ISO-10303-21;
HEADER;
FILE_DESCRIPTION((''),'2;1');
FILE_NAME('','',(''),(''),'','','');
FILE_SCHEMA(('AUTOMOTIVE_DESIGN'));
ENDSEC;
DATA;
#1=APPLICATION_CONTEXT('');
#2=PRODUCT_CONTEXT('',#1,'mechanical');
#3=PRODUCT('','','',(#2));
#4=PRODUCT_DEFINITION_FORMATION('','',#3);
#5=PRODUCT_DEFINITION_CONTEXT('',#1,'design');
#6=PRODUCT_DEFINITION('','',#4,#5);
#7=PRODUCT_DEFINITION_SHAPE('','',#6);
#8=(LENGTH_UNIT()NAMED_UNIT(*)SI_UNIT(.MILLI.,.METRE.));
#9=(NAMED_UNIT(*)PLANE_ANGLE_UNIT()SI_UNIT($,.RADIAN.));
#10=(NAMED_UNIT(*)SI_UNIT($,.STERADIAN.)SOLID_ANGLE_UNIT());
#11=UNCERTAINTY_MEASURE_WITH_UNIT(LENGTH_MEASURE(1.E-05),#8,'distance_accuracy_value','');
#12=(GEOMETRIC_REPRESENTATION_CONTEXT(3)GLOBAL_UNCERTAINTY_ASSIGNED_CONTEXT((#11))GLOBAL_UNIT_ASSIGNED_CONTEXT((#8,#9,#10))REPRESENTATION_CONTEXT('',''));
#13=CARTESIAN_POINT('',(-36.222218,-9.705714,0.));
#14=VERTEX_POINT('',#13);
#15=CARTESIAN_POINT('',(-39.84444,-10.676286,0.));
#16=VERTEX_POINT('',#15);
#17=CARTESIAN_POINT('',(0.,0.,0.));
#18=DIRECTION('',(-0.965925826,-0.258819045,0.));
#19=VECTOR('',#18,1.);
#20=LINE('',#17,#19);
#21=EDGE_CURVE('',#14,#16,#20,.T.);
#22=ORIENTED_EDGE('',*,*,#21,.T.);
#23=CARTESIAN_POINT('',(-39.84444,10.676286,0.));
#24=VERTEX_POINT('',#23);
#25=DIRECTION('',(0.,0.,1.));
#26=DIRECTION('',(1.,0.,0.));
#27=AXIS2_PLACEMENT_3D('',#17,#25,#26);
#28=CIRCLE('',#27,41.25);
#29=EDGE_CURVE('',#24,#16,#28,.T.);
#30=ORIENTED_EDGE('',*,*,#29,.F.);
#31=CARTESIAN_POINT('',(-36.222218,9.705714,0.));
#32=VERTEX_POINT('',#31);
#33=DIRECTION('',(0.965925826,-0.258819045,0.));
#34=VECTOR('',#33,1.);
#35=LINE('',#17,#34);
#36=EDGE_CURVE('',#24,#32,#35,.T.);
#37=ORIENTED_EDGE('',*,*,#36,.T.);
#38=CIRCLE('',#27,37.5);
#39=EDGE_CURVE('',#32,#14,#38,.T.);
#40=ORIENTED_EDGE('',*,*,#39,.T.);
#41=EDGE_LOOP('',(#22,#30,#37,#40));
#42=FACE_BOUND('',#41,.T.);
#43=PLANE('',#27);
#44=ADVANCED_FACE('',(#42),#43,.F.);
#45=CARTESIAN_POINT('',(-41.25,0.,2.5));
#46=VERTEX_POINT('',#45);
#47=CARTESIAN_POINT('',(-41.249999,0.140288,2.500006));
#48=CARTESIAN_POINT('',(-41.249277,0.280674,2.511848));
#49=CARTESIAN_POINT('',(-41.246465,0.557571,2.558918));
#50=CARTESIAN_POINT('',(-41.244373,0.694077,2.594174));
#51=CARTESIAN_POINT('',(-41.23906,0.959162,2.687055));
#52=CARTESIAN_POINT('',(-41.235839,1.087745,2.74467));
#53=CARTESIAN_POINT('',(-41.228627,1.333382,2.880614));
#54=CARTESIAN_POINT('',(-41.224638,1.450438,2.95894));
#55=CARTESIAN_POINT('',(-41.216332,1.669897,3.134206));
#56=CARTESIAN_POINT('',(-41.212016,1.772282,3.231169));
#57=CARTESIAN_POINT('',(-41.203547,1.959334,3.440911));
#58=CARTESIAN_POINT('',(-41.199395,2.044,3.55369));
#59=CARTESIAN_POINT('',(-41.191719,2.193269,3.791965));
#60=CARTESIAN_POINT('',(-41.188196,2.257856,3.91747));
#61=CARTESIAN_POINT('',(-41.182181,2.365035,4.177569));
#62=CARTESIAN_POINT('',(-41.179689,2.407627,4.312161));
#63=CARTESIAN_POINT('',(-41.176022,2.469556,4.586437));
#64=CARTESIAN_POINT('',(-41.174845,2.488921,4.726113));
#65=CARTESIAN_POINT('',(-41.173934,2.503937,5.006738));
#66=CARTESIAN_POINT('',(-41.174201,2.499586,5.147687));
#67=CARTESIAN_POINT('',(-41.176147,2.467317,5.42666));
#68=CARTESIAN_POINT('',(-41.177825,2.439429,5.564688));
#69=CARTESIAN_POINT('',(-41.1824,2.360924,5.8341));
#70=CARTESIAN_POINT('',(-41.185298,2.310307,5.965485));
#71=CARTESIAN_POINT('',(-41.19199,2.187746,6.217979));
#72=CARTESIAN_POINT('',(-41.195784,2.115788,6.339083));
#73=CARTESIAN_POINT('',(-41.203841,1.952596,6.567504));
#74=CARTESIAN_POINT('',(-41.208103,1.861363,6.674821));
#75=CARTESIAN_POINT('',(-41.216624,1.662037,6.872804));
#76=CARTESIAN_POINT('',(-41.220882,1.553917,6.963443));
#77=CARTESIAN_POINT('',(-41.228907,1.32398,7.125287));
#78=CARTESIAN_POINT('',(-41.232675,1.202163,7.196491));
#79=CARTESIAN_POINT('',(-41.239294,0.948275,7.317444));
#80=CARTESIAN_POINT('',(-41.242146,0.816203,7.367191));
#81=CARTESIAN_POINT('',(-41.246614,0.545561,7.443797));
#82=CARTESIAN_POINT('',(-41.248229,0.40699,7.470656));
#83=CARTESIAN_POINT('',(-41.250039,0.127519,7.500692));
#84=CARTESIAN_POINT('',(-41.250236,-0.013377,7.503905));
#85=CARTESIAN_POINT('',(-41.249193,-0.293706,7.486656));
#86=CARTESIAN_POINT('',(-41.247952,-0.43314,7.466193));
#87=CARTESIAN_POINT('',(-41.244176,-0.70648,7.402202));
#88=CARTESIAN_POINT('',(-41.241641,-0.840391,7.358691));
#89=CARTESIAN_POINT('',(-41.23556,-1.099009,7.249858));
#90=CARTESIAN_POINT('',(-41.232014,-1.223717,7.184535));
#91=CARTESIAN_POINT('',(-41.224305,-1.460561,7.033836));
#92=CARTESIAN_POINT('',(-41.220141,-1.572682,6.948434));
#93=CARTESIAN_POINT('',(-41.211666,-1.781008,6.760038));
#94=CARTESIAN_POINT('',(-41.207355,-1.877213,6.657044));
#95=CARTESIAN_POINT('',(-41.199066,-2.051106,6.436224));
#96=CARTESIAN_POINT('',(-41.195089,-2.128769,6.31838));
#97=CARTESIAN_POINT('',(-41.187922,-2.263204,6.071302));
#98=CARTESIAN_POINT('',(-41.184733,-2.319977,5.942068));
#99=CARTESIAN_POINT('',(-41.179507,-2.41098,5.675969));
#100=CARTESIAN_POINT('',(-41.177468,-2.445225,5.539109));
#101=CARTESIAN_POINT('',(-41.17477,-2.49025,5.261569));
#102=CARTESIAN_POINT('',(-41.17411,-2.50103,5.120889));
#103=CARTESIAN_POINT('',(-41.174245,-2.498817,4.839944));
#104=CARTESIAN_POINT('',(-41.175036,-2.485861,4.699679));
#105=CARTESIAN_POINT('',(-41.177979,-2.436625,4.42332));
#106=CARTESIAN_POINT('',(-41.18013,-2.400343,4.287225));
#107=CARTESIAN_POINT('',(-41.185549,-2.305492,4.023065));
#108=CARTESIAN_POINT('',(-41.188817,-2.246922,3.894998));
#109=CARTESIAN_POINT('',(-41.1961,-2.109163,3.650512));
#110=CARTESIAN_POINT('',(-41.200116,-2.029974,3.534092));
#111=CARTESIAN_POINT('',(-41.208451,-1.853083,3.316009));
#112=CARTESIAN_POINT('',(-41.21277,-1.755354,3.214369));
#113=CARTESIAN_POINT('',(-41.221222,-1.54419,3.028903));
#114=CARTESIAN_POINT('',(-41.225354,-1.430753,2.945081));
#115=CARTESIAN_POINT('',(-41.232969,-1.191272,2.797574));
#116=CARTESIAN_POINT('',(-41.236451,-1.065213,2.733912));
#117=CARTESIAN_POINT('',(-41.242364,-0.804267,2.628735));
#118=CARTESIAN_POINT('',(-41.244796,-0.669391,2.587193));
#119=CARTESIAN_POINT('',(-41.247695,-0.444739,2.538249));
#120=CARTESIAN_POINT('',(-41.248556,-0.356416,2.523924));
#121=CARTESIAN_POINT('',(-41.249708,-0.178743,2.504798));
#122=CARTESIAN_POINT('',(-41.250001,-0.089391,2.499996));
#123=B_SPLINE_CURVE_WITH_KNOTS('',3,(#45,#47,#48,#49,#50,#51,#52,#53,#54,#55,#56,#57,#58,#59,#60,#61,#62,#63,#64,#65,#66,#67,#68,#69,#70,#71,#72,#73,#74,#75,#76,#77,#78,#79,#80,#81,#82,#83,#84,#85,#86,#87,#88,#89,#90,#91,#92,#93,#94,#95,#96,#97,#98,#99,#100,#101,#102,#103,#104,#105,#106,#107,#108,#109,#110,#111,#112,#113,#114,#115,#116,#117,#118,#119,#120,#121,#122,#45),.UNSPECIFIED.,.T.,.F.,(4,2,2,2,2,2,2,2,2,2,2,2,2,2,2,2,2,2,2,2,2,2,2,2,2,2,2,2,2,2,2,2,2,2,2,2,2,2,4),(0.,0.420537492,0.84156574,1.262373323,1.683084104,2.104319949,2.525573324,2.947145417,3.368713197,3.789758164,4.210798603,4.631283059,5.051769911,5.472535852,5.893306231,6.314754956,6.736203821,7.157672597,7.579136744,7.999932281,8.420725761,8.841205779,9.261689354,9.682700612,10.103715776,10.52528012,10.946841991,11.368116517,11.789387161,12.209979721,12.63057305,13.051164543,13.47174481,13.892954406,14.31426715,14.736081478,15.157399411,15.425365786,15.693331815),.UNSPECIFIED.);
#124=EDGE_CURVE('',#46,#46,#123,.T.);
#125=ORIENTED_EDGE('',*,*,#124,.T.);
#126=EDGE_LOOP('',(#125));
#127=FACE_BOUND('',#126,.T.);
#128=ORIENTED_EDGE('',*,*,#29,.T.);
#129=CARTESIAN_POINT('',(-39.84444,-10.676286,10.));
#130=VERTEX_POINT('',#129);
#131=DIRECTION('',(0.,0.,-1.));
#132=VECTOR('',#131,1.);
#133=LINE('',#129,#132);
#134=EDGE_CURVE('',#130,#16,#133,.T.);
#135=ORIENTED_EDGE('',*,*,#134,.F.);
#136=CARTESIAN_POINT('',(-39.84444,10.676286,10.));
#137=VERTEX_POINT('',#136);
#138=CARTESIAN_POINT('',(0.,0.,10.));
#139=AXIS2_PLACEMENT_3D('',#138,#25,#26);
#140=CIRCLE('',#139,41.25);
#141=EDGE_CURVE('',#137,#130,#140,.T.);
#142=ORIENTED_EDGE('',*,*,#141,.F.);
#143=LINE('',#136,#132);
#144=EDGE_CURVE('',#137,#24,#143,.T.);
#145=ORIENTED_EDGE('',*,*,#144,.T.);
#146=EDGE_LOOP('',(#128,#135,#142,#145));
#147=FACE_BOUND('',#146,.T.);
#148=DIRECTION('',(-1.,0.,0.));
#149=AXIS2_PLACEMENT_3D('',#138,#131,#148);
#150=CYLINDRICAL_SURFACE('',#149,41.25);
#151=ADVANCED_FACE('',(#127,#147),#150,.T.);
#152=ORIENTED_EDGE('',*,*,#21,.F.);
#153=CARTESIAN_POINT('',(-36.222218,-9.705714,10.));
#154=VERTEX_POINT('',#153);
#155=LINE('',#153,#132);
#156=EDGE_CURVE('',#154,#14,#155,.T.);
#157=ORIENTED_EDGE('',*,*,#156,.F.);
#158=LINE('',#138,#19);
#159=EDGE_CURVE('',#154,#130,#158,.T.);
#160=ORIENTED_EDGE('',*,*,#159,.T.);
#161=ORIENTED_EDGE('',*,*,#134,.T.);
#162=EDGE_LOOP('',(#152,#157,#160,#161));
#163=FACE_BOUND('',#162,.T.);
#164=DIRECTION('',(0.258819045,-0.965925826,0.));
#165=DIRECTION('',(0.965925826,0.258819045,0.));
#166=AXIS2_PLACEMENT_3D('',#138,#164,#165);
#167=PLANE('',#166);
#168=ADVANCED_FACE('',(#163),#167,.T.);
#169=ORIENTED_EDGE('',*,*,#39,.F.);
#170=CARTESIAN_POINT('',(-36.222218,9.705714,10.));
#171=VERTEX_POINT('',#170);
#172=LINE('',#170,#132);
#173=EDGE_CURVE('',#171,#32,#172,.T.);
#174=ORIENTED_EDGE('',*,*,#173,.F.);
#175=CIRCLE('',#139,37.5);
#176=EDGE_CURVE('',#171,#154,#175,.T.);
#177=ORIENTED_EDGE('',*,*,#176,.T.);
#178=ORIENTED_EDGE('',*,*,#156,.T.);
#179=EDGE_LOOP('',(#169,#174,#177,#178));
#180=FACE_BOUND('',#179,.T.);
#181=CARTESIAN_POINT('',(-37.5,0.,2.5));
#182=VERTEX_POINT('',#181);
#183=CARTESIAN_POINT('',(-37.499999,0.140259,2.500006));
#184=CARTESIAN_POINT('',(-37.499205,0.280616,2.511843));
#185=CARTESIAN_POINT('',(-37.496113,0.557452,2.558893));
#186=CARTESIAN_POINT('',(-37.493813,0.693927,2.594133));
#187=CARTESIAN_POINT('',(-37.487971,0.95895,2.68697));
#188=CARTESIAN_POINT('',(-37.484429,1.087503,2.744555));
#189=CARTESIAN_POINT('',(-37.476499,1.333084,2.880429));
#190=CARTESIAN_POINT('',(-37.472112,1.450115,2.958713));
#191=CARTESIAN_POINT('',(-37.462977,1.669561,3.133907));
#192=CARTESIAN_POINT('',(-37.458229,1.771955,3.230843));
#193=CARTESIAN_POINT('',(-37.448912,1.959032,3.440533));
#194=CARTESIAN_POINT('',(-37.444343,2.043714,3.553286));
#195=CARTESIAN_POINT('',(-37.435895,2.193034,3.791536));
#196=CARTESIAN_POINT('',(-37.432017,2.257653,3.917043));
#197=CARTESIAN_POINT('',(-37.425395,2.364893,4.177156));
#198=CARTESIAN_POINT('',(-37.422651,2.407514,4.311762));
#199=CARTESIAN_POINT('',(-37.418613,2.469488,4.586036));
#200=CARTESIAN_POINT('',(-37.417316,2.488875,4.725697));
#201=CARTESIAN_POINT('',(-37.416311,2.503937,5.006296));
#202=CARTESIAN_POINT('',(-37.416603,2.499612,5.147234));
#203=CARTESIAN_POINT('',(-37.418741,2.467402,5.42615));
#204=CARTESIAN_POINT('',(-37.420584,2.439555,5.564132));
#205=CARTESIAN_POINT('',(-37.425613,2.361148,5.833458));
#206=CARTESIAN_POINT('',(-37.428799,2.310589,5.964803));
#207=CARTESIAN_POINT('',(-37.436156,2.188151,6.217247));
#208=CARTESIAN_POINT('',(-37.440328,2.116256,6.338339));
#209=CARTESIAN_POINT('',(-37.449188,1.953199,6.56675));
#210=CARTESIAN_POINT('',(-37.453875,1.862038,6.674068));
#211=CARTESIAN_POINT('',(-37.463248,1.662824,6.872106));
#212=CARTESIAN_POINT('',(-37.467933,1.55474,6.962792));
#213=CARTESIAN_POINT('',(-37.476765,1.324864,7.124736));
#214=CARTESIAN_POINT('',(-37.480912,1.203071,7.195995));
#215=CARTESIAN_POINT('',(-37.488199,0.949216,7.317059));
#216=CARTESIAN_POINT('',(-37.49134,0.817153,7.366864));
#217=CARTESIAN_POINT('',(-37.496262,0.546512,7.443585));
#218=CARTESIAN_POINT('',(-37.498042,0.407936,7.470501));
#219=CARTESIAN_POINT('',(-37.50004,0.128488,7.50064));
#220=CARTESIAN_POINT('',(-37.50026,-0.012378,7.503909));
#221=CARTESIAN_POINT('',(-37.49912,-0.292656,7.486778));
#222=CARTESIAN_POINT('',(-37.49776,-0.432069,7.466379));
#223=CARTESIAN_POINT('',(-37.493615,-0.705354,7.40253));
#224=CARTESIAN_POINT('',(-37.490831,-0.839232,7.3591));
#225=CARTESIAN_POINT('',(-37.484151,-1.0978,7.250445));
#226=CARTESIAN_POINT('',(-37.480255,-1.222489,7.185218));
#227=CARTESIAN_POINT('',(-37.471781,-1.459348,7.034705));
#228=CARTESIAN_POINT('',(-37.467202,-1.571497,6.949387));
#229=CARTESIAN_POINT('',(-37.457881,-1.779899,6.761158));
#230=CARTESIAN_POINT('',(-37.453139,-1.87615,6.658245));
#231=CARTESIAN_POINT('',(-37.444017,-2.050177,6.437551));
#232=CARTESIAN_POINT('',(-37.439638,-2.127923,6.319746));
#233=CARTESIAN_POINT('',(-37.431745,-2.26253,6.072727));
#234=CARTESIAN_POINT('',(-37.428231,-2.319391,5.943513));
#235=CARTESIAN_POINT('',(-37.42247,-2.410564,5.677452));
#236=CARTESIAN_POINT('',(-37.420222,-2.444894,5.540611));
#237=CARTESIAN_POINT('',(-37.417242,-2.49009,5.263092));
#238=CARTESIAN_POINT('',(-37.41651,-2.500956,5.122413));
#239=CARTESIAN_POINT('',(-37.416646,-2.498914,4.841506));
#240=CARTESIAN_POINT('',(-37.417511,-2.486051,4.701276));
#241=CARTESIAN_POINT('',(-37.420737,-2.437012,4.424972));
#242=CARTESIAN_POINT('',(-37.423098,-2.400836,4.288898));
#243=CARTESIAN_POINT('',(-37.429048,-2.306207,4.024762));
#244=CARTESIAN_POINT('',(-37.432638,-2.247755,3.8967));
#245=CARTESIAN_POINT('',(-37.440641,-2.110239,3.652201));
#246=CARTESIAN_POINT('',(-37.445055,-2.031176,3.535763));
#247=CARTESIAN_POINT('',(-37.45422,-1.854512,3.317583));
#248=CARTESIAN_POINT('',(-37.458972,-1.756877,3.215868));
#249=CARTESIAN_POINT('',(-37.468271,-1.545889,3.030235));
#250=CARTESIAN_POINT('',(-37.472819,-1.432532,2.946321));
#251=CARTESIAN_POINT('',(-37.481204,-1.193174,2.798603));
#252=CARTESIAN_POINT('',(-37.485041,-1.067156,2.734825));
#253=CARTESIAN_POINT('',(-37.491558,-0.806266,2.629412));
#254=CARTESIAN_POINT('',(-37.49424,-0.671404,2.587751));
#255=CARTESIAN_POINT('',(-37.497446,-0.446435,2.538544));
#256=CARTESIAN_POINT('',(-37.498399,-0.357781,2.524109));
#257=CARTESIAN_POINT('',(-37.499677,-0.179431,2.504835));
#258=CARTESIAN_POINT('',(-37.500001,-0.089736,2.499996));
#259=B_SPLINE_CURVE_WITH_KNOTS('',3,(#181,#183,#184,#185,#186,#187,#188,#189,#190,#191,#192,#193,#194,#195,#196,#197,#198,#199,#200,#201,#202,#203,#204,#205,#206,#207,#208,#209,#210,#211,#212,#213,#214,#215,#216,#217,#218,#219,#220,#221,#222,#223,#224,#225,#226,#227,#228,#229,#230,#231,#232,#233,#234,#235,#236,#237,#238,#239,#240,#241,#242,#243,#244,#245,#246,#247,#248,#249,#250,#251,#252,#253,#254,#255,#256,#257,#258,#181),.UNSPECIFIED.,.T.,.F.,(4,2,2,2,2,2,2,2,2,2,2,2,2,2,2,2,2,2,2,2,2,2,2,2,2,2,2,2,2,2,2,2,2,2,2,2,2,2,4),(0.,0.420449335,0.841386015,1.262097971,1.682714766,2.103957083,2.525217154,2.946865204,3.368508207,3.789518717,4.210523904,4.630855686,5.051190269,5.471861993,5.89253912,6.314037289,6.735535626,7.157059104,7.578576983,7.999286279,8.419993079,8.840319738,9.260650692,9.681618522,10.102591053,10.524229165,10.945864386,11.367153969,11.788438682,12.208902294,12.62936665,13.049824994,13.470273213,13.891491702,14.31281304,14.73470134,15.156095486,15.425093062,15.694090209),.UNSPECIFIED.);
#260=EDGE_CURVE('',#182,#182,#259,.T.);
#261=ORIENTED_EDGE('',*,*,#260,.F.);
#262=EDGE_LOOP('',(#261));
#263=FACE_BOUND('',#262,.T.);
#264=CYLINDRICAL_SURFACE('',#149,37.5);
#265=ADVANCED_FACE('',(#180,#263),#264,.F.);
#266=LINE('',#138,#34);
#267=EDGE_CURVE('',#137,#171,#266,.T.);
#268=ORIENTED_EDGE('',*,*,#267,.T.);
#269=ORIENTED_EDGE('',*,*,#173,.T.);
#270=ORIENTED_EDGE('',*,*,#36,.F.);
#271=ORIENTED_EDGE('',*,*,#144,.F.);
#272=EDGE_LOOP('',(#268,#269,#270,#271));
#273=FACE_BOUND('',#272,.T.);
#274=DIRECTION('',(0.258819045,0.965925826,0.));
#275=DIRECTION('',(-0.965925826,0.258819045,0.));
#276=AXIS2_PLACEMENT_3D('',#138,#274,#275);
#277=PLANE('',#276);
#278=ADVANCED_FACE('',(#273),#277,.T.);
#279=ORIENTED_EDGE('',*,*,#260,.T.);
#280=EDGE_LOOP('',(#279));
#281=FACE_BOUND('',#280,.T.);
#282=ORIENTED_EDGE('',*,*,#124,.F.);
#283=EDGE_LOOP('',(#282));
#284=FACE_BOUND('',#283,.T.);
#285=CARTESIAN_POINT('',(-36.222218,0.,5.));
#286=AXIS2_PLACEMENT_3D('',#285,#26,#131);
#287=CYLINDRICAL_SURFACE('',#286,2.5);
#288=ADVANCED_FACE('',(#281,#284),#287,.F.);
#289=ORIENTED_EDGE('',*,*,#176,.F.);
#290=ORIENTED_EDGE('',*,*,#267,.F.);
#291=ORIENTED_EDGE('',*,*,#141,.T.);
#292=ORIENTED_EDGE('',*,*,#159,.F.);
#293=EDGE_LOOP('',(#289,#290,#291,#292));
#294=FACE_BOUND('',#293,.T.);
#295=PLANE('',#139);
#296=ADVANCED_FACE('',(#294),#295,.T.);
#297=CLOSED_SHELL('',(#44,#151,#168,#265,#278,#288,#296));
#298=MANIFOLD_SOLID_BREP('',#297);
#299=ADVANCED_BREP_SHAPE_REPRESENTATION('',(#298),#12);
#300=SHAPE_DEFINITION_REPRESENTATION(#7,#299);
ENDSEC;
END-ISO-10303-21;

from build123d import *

# Parameters (mm, degrees)
BOSS_EXTRUDE1_DEPTH     = 10
CUT_EXTRUDE1_DEPTH      = 44.76694614
CUT_EXTRUDE1_DEPTH_BACK = 44.76694614
SKETCH2_R               = 2.5


with BuildPart() as part:
    # Sketch1 → Boss-Extrude1 (new body)
    with BuildSketch(Plane(origin=(0, 0, 0), x_dir=(0, 1, 0), z_dir=(0, 0, 1))):
        with BuildLine():
            Line((-10.67628561, 39.844440334), (-9.705714191, 36.222218486))
            ThreePointArc((-9.705714191, 36.222218486), (0, 37.5), (9.705714191, 36.222218486))
            Line((9.705714191, 36.222218486), (10.67628561, 39.844440334))
            ThreePointArc((10.67628561, 39.844440334), (0, 41.25), (-10.67628561, 39.844440334))
        make_face()
    extrude(amount=BOSS_EXTRUDE1_DEPTH)

    # Sketch2 → Cut-Extrude1 (cut, two sides: drawn at the far end of the back side and taken through both)
    with BuildSketch(Plane.YZ.offset(-CUT_EXTRUDE1_DEPTH_BACK)):
        with Locations(Location((0, 5, 0), (0, 0, 270))):
            Circle(SKETCH2_R)
    extrude(amount=CUT_EXTRUDE1_DEPTH + CUT_EXTRUDE1_DEPTH_BACK, mode=Mode.SUBTRACT)


solid = part.part
